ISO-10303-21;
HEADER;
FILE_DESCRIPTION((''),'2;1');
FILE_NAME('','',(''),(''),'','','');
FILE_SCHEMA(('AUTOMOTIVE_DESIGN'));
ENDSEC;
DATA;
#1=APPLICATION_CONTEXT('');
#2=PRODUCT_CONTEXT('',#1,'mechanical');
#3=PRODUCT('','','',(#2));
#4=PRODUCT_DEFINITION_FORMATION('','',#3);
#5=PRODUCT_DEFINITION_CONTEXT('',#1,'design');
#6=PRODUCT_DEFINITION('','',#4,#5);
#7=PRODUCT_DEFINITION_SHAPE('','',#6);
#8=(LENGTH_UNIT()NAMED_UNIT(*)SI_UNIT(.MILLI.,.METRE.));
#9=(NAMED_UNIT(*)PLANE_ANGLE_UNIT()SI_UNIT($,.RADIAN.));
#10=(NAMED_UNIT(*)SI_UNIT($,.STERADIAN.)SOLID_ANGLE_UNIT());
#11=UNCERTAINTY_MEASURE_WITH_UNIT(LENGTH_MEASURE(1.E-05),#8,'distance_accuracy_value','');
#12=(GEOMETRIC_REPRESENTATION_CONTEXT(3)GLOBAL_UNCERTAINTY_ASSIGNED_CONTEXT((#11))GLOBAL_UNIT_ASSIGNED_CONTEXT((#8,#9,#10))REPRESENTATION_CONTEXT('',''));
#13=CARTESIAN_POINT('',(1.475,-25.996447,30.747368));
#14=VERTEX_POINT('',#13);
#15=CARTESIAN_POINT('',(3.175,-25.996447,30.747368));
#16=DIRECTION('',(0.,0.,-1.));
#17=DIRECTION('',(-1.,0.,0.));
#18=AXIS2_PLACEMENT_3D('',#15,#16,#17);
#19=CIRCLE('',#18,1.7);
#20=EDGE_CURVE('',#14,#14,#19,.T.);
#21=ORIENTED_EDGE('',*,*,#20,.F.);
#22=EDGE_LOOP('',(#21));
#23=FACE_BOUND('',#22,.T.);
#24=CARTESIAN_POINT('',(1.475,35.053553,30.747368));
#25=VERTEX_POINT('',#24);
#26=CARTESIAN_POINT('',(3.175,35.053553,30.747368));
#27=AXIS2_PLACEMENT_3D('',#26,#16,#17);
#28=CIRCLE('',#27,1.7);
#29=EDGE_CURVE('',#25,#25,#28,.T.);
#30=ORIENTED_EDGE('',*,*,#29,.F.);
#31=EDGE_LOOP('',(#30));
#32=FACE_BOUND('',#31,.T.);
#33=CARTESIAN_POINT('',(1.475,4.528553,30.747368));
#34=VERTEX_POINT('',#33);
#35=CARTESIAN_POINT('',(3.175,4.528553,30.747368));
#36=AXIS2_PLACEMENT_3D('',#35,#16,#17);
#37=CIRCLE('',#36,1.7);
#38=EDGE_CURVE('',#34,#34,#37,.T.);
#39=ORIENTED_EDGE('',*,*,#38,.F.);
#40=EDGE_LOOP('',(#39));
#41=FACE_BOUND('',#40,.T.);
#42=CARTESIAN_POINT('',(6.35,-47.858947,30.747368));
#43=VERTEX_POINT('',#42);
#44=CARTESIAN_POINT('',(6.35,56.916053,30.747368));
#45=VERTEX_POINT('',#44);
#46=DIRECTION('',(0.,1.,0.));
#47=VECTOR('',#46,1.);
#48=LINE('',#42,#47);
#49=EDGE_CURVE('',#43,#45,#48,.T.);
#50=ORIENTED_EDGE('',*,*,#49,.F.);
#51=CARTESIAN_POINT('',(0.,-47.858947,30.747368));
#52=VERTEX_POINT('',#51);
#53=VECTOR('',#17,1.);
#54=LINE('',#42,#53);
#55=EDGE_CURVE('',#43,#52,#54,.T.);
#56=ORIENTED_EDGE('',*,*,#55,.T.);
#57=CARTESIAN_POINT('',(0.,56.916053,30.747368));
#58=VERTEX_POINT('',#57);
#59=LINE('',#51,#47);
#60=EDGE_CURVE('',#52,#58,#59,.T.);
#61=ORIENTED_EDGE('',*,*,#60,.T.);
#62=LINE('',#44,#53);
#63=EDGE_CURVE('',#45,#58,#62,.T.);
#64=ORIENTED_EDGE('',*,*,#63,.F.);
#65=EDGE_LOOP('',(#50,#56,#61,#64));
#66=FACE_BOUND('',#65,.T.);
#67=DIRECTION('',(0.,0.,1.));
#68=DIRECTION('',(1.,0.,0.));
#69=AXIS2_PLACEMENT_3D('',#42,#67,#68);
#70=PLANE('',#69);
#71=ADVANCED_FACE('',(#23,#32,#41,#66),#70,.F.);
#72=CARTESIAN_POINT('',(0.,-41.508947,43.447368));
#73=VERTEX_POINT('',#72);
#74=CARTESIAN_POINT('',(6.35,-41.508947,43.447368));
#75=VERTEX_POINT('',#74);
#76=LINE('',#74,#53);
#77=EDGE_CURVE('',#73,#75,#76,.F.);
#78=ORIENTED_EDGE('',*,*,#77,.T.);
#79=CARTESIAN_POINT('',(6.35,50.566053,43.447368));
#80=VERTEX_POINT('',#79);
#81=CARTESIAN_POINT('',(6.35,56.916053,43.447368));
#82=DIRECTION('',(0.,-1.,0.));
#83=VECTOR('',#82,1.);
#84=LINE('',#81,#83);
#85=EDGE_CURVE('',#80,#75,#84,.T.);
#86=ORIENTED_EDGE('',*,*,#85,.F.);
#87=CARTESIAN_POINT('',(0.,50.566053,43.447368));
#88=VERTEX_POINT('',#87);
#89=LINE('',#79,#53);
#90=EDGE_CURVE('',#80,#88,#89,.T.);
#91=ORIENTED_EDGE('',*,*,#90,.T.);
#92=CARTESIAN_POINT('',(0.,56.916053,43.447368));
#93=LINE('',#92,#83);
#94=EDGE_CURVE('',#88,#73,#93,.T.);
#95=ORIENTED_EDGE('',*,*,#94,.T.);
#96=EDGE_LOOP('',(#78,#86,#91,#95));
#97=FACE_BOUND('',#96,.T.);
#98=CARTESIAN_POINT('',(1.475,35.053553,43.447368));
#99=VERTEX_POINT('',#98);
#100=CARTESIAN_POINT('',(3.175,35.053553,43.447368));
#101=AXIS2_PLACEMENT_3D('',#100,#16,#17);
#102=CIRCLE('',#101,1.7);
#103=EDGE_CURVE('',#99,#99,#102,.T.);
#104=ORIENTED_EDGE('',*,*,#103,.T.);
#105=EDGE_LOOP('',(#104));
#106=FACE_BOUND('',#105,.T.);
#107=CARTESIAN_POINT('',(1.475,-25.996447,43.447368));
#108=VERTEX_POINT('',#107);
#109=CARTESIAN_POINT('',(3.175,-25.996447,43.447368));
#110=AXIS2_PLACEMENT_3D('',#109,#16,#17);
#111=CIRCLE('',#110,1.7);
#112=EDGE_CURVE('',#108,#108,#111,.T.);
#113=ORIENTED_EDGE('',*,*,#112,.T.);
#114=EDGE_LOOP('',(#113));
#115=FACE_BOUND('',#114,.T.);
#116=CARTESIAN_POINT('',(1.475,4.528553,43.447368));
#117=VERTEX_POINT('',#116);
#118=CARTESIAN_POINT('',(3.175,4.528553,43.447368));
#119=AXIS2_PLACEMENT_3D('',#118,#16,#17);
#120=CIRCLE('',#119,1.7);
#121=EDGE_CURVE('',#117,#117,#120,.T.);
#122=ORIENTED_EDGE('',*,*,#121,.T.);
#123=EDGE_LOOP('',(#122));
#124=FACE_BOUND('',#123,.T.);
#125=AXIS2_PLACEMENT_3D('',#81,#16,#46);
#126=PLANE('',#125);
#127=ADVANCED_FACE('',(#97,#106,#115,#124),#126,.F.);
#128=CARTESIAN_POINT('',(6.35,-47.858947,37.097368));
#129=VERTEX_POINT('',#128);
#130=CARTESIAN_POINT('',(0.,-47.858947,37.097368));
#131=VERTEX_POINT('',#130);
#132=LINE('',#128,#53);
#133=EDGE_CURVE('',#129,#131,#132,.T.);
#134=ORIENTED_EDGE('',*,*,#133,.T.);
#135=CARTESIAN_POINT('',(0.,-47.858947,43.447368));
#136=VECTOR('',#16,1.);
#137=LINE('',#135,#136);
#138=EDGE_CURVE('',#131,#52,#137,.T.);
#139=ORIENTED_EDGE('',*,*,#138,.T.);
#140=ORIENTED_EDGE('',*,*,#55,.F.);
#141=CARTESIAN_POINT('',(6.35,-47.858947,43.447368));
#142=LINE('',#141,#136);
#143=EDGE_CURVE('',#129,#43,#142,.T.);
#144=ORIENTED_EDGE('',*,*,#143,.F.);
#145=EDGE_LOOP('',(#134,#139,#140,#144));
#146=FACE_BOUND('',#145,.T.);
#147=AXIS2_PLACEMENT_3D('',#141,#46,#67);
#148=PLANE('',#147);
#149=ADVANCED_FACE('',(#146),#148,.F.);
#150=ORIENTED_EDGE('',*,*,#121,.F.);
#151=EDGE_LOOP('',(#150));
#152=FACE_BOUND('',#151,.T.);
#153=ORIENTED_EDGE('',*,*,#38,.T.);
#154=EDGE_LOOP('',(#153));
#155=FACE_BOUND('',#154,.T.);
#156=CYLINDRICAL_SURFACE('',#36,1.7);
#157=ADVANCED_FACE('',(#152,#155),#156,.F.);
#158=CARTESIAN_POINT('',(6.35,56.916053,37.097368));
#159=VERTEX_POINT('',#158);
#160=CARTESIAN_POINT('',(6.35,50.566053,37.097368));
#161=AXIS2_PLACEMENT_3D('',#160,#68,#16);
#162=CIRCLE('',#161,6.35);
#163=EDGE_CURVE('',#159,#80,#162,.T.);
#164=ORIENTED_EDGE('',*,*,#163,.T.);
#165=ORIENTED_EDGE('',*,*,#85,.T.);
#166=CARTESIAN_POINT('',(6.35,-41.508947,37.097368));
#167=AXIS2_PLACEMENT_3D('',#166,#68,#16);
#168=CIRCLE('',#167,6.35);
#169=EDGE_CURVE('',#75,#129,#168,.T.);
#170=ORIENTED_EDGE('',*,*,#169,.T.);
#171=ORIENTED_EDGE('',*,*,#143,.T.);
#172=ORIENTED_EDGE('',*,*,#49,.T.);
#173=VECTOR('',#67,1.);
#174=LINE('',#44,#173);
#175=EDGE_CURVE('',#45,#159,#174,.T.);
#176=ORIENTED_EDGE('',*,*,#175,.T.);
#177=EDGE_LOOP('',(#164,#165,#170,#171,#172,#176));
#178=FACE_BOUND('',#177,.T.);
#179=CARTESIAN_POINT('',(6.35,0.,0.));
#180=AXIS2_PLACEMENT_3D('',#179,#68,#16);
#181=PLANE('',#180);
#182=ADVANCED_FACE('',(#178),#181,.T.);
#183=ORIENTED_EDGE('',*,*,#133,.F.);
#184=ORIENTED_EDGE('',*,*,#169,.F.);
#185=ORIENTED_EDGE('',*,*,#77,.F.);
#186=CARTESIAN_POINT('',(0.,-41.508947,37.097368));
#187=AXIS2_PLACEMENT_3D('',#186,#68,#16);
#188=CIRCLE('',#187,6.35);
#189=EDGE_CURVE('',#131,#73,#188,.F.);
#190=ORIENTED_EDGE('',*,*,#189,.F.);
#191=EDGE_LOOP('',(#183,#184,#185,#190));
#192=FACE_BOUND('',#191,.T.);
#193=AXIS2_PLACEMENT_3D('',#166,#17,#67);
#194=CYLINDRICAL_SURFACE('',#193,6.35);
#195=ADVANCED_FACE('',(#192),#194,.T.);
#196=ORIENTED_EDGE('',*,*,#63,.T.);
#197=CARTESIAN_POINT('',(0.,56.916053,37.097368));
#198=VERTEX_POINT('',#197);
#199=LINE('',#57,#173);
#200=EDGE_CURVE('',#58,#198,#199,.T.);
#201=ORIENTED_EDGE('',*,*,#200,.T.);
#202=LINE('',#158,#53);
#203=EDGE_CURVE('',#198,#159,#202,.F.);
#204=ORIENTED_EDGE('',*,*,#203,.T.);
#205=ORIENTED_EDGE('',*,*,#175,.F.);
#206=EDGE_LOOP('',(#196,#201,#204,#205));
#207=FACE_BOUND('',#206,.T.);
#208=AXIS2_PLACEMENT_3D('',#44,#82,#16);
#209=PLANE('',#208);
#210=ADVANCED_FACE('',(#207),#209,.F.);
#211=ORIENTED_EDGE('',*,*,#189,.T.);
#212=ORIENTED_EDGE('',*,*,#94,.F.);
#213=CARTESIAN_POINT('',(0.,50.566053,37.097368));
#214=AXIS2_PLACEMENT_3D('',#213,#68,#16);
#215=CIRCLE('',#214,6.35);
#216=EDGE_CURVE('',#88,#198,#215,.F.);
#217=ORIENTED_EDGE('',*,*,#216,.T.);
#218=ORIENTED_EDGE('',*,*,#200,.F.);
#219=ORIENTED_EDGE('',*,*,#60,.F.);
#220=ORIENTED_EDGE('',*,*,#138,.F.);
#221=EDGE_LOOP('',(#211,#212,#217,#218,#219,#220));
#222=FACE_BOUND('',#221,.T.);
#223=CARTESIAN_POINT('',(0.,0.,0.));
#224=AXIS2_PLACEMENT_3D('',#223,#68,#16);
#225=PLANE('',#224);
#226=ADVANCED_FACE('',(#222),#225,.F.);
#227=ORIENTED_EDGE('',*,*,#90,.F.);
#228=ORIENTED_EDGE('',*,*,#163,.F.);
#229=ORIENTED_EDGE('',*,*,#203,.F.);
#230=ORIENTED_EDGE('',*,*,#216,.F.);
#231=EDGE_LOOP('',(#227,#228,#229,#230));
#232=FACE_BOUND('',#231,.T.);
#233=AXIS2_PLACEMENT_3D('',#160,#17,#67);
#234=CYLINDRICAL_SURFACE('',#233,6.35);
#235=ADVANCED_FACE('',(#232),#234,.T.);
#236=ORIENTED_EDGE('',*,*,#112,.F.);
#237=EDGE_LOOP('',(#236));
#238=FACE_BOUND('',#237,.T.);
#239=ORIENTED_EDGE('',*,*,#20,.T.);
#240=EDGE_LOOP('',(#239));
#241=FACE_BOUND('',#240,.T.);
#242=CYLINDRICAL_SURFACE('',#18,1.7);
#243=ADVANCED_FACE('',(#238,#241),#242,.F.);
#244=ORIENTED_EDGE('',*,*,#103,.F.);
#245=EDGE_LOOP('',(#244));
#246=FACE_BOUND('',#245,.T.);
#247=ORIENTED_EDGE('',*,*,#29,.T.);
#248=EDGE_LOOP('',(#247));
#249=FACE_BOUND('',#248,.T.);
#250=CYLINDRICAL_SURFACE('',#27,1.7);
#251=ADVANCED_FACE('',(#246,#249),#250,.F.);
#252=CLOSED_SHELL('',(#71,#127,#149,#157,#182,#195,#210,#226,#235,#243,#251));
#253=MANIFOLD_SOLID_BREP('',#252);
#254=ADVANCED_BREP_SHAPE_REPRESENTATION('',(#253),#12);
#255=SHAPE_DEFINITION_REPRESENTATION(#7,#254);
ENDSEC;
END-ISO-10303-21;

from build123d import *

# Parameters (mm, degrees)
SKETCH1_W            = 12.7
SKETCH1_H            = 104.775
BOSS_EXTRUDE1_DEPTH  = 6.35
M3_CLEARANCE_HOLE1_D = 3.4
FILLET1_R            = 6.35


with BuildPart() as part:
    # Sketch1 → Boss-Extrude1 (new body)
    with BuildSketch(Plane(origin=(0, 0, 0), x_dir=(0, 0, -1), z_dir=(1, 0, 0))):
        with Locations((-37.097368421, 4.528552632)):
            Rectangle(SKETCH1_W, SKETCH1_H)
    extrude(amount=BOSS_EXTRUDE1_DEPTH)

    # M3 Clearance Hole1 (through all)
    with Locations(Plane(origin=(0, 0, 30.747368421), x_dir=(-1, 0, 0), z_dir=(0, 0, -1))):
        with Locations((-3.175, -25.996447368), (-3.175, 4.528552632), (-3.175, 35.053552632)):
            Hole(M3_CLEARANCE_HOLE1_D / 2)

    # Fillet1
    fillet1_edges = [part.edges().sort_by_distance(p)[0] for p in [
        (3.175, -47.858947368, 43.447368421),
        (3.175, 56.916052632, 43.447368421),
    ]]
    fillet(fillet1_edges, radius=FILLET1_R)


solid = part.part
